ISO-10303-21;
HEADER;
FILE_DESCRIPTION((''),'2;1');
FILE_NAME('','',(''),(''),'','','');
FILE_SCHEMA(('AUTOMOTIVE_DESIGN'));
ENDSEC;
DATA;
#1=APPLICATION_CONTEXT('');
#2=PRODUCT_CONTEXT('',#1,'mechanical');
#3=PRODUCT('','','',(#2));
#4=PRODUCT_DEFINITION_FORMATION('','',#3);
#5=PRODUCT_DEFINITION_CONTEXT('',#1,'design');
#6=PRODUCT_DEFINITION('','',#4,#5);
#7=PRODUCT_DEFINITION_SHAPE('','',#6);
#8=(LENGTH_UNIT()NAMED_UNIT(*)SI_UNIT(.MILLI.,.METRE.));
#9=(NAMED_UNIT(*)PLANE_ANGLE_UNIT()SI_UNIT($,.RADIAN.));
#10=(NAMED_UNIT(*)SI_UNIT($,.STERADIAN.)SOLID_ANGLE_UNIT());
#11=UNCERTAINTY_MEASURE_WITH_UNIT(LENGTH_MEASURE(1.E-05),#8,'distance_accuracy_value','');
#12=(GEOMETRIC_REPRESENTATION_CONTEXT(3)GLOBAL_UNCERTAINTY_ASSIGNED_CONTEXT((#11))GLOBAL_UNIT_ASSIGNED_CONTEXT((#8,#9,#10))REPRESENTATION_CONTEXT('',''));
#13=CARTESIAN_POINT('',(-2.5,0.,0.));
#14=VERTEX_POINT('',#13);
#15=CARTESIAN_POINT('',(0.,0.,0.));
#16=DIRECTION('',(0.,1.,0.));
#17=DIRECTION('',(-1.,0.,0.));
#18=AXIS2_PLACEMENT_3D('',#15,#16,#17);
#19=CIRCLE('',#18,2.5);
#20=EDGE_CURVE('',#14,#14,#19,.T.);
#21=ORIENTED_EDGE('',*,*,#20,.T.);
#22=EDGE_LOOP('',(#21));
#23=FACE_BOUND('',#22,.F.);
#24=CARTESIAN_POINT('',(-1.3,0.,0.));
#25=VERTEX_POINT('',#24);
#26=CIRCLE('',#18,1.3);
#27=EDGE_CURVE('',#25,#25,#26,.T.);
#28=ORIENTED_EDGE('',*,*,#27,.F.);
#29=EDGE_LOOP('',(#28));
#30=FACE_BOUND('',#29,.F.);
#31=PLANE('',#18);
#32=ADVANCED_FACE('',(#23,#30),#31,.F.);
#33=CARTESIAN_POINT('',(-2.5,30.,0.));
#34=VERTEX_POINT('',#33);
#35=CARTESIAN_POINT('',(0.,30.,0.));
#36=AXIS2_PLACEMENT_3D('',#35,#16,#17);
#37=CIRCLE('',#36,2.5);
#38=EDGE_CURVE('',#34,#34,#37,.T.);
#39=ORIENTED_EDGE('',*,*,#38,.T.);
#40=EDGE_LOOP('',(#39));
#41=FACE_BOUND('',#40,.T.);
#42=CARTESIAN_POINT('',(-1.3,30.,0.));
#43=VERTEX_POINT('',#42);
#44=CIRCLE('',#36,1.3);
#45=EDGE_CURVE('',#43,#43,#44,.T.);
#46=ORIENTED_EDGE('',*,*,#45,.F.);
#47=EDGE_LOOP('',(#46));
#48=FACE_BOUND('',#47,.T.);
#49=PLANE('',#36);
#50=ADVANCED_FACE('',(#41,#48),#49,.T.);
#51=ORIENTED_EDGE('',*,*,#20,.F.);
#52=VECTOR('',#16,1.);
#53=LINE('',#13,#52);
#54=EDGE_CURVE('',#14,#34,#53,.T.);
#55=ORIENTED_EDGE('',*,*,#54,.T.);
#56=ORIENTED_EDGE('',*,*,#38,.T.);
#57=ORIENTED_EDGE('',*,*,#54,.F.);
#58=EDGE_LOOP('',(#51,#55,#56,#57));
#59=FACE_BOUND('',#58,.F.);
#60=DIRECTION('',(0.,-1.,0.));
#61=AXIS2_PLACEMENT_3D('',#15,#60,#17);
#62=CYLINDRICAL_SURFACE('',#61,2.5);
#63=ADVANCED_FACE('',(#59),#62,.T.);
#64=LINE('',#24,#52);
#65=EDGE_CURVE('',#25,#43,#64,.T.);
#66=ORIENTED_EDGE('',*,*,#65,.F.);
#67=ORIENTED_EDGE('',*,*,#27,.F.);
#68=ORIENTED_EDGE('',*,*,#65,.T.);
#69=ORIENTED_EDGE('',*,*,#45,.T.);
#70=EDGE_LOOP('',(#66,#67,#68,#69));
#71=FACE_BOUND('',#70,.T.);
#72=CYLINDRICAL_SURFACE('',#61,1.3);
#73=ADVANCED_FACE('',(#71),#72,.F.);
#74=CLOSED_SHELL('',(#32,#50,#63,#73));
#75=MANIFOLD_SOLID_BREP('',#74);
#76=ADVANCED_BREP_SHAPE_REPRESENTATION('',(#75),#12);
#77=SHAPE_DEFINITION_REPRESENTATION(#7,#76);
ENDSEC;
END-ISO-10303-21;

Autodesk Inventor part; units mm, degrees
ref_plane "YZ Plane" through (0, 0, 0) normal (1, 0, 0) x (0, 1, 0)
ref_plane "XZ Plane" through (0, 0, 0) normal (0, 1, 0) x (-1, 0, 0)
ref_plane "XY Plane" through (0, 0, 0) normal (0, 0, 1) x (1, 0, 0)
sketch "スケッチ1" plane through (0, 0, 0) normal (0, 1, 0) x (-1, 0, 0)
  circle A0 centre (0, 0) radius 2.5
  circle A1 centre (0, 0) radius 1.3
  dimension "d0" = 2.6
  dimension "d1" = 5
extrude "押し出し1" add sketch "スケッチ1" along normal blind 30
properties part number "Spacer_M2.6x30"
